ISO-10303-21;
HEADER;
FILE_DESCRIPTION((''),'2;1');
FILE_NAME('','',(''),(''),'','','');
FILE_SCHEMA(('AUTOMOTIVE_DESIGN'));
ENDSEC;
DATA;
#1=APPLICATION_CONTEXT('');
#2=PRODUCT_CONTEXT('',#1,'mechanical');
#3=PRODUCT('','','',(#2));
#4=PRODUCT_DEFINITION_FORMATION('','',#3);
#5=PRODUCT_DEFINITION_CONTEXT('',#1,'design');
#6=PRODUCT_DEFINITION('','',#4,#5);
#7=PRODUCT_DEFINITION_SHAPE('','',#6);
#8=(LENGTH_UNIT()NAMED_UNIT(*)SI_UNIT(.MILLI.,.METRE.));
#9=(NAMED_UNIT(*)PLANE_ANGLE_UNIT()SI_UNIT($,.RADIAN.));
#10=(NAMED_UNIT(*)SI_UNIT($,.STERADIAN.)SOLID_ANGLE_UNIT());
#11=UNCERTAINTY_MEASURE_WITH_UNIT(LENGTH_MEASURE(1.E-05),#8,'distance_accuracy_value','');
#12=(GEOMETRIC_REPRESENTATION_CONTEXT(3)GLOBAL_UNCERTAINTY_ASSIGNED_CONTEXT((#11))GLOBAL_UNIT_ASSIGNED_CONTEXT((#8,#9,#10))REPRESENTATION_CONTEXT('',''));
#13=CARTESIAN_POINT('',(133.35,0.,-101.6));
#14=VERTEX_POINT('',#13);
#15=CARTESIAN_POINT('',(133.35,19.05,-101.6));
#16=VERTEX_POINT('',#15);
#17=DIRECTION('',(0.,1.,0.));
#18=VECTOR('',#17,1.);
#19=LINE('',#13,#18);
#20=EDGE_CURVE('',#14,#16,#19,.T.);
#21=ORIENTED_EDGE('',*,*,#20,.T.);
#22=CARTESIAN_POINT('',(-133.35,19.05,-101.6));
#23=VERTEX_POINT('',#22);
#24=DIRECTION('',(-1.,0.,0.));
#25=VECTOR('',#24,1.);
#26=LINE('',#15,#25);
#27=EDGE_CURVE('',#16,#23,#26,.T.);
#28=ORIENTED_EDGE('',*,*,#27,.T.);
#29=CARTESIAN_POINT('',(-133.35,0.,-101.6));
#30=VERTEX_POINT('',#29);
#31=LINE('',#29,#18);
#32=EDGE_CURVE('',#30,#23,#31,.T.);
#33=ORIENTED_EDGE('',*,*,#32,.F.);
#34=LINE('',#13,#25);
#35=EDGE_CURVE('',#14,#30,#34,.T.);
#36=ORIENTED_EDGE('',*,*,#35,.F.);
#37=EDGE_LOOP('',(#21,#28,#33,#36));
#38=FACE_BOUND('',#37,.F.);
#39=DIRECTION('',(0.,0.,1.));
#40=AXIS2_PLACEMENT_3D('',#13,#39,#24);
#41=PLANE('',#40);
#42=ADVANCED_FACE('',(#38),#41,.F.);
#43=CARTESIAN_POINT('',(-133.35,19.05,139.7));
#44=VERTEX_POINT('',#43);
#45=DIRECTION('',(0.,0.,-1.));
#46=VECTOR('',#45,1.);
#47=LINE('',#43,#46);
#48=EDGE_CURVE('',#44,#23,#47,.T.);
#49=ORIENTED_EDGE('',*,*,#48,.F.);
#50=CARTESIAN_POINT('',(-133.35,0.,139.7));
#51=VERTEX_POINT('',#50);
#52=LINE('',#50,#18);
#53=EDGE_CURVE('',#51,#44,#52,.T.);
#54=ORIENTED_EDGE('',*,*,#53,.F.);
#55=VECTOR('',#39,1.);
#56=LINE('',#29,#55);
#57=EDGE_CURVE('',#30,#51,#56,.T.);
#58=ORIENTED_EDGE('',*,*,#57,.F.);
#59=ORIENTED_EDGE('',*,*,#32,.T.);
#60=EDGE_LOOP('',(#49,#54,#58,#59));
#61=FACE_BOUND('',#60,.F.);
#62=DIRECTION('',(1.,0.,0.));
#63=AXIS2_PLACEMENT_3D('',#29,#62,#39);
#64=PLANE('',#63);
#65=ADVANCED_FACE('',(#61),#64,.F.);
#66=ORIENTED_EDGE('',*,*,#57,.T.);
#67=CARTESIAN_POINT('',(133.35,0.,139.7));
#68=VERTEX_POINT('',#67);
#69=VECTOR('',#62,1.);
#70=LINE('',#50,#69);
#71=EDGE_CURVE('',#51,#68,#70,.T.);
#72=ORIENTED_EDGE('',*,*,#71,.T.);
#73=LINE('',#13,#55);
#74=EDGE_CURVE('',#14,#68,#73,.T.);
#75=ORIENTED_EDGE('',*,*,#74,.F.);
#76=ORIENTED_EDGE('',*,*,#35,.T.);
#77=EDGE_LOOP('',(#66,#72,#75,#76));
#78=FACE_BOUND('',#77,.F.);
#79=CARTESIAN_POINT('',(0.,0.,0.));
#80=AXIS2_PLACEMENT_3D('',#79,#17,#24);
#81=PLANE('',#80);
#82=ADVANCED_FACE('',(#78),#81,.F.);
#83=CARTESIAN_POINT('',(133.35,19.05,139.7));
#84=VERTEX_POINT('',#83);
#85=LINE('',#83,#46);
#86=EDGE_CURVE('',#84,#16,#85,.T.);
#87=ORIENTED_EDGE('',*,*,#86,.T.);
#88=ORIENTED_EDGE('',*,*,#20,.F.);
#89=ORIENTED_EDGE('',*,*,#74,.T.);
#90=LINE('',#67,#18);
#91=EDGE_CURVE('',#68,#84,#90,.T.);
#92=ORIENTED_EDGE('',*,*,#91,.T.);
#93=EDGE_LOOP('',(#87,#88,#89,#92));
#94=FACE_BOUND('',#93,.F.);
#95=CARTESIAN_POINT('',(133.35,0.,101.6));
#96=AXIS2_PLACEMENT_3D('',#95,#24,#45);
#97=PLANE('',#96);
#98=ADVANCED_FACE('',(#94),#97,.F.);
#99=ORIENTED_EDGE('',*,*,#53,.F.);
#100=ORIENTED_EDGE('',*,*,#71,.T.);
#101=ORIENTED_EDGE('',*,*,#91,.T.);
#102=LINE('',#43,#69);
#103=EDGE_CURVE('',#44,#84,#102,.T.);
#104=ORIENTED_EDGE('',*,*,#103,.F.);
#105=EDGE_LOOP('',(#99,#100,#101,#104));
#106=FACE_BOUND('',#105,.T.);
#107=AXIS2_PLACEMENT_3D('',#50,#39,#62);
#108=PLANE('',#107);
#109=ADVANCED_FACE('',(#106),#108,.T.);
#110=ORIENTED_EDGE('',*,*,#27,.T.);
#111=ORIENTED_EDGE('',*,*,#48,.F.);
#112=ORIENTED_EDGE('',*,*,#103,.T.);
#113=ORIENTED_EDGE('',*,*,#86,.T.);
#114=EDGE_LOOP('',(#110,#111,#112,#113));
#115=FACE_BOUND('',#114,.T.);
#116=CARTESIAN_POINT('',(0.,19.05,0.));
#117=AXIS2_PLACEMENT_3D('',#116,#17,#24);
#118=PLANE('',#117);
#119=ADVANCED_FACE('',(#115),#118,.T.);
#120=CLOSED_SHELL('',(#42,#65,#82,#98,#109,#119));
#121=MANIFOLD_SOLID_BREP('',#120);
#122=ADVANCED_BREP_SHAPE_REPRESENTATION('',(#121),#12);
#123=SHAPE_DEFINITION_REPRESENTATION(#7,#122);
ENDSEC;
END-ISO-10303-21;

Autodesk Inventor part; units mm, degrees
ref_plane "YZ Plane" through (0, 0, 0) normal (1, 0, 0) x (0, 1, 0)
ref_plane "XZ Plane" through (0, 0, 0) normal (0, 1, 0) x (-1, 0, 0)
ref_plane "XY Plane" through (0, 0, 0) normal (0, 0, 1) x (1, 0, 0)
sketch "Sketch1" plane through (0, 0, 0) normal (0, 1, 0) x (-1, 0, 0)
  line L0 (133.35, 101.6) -> (-133.35, 101.6)
  line L1 (-133.35, 101.6) -> (-133.35, -101.6)
  line L2 (-133.35, -101.6) -> (133.35, -101.6)
  line L3 (133.35, -101.6) -> (133.35, 101.6)
  line L4 (133.35, 101.6) -> (-133.35, -101.6) construction
  line L5 (-133.35, 101.6) -> (133.35, -101.6) construction
  point P0 (0, 0)
  dimension "d0" = 266.7
  dimension "d1" = 203.2
extrude "Extrusion1" add sketch "Sketch1" along normal blind 19.05
sketch "Sketch2" plane through (-133.35, 0, 101.6) normal (0, 0, 1) x (1, 0, 0)
  line L0 (0, 0) -> (266.7, 0) projected
  line L1 (266.7, 0) -> (266.7, 19.05) projected
  line L2 (0, 19.05) -> (266.7, 19.05) projected
  line L3 (0, 0) -> (0, 19.05) projected
  point P0 (133.35, 0)
extrude "Extrusion2" add sketch "Sketch2" along normal blind 38.1
equation "\"d0\" = Length"
equation "\"d1\" = Width"
equation "\"d2\" = Thickness"
equation "\"d4\" = FrameExtend"
equation "\"Width\" = 203.2"
equation "\"Thickness\" = 19.05"
equation "\"RailHeight\" = 50.8"
equation "\"FrameExtend\" = Thickness_1 + Thickness"
equation "\"Length\" = 266.7"
equation "\"Thickness_1\" = 19.05"
properties part number "topPlate"
